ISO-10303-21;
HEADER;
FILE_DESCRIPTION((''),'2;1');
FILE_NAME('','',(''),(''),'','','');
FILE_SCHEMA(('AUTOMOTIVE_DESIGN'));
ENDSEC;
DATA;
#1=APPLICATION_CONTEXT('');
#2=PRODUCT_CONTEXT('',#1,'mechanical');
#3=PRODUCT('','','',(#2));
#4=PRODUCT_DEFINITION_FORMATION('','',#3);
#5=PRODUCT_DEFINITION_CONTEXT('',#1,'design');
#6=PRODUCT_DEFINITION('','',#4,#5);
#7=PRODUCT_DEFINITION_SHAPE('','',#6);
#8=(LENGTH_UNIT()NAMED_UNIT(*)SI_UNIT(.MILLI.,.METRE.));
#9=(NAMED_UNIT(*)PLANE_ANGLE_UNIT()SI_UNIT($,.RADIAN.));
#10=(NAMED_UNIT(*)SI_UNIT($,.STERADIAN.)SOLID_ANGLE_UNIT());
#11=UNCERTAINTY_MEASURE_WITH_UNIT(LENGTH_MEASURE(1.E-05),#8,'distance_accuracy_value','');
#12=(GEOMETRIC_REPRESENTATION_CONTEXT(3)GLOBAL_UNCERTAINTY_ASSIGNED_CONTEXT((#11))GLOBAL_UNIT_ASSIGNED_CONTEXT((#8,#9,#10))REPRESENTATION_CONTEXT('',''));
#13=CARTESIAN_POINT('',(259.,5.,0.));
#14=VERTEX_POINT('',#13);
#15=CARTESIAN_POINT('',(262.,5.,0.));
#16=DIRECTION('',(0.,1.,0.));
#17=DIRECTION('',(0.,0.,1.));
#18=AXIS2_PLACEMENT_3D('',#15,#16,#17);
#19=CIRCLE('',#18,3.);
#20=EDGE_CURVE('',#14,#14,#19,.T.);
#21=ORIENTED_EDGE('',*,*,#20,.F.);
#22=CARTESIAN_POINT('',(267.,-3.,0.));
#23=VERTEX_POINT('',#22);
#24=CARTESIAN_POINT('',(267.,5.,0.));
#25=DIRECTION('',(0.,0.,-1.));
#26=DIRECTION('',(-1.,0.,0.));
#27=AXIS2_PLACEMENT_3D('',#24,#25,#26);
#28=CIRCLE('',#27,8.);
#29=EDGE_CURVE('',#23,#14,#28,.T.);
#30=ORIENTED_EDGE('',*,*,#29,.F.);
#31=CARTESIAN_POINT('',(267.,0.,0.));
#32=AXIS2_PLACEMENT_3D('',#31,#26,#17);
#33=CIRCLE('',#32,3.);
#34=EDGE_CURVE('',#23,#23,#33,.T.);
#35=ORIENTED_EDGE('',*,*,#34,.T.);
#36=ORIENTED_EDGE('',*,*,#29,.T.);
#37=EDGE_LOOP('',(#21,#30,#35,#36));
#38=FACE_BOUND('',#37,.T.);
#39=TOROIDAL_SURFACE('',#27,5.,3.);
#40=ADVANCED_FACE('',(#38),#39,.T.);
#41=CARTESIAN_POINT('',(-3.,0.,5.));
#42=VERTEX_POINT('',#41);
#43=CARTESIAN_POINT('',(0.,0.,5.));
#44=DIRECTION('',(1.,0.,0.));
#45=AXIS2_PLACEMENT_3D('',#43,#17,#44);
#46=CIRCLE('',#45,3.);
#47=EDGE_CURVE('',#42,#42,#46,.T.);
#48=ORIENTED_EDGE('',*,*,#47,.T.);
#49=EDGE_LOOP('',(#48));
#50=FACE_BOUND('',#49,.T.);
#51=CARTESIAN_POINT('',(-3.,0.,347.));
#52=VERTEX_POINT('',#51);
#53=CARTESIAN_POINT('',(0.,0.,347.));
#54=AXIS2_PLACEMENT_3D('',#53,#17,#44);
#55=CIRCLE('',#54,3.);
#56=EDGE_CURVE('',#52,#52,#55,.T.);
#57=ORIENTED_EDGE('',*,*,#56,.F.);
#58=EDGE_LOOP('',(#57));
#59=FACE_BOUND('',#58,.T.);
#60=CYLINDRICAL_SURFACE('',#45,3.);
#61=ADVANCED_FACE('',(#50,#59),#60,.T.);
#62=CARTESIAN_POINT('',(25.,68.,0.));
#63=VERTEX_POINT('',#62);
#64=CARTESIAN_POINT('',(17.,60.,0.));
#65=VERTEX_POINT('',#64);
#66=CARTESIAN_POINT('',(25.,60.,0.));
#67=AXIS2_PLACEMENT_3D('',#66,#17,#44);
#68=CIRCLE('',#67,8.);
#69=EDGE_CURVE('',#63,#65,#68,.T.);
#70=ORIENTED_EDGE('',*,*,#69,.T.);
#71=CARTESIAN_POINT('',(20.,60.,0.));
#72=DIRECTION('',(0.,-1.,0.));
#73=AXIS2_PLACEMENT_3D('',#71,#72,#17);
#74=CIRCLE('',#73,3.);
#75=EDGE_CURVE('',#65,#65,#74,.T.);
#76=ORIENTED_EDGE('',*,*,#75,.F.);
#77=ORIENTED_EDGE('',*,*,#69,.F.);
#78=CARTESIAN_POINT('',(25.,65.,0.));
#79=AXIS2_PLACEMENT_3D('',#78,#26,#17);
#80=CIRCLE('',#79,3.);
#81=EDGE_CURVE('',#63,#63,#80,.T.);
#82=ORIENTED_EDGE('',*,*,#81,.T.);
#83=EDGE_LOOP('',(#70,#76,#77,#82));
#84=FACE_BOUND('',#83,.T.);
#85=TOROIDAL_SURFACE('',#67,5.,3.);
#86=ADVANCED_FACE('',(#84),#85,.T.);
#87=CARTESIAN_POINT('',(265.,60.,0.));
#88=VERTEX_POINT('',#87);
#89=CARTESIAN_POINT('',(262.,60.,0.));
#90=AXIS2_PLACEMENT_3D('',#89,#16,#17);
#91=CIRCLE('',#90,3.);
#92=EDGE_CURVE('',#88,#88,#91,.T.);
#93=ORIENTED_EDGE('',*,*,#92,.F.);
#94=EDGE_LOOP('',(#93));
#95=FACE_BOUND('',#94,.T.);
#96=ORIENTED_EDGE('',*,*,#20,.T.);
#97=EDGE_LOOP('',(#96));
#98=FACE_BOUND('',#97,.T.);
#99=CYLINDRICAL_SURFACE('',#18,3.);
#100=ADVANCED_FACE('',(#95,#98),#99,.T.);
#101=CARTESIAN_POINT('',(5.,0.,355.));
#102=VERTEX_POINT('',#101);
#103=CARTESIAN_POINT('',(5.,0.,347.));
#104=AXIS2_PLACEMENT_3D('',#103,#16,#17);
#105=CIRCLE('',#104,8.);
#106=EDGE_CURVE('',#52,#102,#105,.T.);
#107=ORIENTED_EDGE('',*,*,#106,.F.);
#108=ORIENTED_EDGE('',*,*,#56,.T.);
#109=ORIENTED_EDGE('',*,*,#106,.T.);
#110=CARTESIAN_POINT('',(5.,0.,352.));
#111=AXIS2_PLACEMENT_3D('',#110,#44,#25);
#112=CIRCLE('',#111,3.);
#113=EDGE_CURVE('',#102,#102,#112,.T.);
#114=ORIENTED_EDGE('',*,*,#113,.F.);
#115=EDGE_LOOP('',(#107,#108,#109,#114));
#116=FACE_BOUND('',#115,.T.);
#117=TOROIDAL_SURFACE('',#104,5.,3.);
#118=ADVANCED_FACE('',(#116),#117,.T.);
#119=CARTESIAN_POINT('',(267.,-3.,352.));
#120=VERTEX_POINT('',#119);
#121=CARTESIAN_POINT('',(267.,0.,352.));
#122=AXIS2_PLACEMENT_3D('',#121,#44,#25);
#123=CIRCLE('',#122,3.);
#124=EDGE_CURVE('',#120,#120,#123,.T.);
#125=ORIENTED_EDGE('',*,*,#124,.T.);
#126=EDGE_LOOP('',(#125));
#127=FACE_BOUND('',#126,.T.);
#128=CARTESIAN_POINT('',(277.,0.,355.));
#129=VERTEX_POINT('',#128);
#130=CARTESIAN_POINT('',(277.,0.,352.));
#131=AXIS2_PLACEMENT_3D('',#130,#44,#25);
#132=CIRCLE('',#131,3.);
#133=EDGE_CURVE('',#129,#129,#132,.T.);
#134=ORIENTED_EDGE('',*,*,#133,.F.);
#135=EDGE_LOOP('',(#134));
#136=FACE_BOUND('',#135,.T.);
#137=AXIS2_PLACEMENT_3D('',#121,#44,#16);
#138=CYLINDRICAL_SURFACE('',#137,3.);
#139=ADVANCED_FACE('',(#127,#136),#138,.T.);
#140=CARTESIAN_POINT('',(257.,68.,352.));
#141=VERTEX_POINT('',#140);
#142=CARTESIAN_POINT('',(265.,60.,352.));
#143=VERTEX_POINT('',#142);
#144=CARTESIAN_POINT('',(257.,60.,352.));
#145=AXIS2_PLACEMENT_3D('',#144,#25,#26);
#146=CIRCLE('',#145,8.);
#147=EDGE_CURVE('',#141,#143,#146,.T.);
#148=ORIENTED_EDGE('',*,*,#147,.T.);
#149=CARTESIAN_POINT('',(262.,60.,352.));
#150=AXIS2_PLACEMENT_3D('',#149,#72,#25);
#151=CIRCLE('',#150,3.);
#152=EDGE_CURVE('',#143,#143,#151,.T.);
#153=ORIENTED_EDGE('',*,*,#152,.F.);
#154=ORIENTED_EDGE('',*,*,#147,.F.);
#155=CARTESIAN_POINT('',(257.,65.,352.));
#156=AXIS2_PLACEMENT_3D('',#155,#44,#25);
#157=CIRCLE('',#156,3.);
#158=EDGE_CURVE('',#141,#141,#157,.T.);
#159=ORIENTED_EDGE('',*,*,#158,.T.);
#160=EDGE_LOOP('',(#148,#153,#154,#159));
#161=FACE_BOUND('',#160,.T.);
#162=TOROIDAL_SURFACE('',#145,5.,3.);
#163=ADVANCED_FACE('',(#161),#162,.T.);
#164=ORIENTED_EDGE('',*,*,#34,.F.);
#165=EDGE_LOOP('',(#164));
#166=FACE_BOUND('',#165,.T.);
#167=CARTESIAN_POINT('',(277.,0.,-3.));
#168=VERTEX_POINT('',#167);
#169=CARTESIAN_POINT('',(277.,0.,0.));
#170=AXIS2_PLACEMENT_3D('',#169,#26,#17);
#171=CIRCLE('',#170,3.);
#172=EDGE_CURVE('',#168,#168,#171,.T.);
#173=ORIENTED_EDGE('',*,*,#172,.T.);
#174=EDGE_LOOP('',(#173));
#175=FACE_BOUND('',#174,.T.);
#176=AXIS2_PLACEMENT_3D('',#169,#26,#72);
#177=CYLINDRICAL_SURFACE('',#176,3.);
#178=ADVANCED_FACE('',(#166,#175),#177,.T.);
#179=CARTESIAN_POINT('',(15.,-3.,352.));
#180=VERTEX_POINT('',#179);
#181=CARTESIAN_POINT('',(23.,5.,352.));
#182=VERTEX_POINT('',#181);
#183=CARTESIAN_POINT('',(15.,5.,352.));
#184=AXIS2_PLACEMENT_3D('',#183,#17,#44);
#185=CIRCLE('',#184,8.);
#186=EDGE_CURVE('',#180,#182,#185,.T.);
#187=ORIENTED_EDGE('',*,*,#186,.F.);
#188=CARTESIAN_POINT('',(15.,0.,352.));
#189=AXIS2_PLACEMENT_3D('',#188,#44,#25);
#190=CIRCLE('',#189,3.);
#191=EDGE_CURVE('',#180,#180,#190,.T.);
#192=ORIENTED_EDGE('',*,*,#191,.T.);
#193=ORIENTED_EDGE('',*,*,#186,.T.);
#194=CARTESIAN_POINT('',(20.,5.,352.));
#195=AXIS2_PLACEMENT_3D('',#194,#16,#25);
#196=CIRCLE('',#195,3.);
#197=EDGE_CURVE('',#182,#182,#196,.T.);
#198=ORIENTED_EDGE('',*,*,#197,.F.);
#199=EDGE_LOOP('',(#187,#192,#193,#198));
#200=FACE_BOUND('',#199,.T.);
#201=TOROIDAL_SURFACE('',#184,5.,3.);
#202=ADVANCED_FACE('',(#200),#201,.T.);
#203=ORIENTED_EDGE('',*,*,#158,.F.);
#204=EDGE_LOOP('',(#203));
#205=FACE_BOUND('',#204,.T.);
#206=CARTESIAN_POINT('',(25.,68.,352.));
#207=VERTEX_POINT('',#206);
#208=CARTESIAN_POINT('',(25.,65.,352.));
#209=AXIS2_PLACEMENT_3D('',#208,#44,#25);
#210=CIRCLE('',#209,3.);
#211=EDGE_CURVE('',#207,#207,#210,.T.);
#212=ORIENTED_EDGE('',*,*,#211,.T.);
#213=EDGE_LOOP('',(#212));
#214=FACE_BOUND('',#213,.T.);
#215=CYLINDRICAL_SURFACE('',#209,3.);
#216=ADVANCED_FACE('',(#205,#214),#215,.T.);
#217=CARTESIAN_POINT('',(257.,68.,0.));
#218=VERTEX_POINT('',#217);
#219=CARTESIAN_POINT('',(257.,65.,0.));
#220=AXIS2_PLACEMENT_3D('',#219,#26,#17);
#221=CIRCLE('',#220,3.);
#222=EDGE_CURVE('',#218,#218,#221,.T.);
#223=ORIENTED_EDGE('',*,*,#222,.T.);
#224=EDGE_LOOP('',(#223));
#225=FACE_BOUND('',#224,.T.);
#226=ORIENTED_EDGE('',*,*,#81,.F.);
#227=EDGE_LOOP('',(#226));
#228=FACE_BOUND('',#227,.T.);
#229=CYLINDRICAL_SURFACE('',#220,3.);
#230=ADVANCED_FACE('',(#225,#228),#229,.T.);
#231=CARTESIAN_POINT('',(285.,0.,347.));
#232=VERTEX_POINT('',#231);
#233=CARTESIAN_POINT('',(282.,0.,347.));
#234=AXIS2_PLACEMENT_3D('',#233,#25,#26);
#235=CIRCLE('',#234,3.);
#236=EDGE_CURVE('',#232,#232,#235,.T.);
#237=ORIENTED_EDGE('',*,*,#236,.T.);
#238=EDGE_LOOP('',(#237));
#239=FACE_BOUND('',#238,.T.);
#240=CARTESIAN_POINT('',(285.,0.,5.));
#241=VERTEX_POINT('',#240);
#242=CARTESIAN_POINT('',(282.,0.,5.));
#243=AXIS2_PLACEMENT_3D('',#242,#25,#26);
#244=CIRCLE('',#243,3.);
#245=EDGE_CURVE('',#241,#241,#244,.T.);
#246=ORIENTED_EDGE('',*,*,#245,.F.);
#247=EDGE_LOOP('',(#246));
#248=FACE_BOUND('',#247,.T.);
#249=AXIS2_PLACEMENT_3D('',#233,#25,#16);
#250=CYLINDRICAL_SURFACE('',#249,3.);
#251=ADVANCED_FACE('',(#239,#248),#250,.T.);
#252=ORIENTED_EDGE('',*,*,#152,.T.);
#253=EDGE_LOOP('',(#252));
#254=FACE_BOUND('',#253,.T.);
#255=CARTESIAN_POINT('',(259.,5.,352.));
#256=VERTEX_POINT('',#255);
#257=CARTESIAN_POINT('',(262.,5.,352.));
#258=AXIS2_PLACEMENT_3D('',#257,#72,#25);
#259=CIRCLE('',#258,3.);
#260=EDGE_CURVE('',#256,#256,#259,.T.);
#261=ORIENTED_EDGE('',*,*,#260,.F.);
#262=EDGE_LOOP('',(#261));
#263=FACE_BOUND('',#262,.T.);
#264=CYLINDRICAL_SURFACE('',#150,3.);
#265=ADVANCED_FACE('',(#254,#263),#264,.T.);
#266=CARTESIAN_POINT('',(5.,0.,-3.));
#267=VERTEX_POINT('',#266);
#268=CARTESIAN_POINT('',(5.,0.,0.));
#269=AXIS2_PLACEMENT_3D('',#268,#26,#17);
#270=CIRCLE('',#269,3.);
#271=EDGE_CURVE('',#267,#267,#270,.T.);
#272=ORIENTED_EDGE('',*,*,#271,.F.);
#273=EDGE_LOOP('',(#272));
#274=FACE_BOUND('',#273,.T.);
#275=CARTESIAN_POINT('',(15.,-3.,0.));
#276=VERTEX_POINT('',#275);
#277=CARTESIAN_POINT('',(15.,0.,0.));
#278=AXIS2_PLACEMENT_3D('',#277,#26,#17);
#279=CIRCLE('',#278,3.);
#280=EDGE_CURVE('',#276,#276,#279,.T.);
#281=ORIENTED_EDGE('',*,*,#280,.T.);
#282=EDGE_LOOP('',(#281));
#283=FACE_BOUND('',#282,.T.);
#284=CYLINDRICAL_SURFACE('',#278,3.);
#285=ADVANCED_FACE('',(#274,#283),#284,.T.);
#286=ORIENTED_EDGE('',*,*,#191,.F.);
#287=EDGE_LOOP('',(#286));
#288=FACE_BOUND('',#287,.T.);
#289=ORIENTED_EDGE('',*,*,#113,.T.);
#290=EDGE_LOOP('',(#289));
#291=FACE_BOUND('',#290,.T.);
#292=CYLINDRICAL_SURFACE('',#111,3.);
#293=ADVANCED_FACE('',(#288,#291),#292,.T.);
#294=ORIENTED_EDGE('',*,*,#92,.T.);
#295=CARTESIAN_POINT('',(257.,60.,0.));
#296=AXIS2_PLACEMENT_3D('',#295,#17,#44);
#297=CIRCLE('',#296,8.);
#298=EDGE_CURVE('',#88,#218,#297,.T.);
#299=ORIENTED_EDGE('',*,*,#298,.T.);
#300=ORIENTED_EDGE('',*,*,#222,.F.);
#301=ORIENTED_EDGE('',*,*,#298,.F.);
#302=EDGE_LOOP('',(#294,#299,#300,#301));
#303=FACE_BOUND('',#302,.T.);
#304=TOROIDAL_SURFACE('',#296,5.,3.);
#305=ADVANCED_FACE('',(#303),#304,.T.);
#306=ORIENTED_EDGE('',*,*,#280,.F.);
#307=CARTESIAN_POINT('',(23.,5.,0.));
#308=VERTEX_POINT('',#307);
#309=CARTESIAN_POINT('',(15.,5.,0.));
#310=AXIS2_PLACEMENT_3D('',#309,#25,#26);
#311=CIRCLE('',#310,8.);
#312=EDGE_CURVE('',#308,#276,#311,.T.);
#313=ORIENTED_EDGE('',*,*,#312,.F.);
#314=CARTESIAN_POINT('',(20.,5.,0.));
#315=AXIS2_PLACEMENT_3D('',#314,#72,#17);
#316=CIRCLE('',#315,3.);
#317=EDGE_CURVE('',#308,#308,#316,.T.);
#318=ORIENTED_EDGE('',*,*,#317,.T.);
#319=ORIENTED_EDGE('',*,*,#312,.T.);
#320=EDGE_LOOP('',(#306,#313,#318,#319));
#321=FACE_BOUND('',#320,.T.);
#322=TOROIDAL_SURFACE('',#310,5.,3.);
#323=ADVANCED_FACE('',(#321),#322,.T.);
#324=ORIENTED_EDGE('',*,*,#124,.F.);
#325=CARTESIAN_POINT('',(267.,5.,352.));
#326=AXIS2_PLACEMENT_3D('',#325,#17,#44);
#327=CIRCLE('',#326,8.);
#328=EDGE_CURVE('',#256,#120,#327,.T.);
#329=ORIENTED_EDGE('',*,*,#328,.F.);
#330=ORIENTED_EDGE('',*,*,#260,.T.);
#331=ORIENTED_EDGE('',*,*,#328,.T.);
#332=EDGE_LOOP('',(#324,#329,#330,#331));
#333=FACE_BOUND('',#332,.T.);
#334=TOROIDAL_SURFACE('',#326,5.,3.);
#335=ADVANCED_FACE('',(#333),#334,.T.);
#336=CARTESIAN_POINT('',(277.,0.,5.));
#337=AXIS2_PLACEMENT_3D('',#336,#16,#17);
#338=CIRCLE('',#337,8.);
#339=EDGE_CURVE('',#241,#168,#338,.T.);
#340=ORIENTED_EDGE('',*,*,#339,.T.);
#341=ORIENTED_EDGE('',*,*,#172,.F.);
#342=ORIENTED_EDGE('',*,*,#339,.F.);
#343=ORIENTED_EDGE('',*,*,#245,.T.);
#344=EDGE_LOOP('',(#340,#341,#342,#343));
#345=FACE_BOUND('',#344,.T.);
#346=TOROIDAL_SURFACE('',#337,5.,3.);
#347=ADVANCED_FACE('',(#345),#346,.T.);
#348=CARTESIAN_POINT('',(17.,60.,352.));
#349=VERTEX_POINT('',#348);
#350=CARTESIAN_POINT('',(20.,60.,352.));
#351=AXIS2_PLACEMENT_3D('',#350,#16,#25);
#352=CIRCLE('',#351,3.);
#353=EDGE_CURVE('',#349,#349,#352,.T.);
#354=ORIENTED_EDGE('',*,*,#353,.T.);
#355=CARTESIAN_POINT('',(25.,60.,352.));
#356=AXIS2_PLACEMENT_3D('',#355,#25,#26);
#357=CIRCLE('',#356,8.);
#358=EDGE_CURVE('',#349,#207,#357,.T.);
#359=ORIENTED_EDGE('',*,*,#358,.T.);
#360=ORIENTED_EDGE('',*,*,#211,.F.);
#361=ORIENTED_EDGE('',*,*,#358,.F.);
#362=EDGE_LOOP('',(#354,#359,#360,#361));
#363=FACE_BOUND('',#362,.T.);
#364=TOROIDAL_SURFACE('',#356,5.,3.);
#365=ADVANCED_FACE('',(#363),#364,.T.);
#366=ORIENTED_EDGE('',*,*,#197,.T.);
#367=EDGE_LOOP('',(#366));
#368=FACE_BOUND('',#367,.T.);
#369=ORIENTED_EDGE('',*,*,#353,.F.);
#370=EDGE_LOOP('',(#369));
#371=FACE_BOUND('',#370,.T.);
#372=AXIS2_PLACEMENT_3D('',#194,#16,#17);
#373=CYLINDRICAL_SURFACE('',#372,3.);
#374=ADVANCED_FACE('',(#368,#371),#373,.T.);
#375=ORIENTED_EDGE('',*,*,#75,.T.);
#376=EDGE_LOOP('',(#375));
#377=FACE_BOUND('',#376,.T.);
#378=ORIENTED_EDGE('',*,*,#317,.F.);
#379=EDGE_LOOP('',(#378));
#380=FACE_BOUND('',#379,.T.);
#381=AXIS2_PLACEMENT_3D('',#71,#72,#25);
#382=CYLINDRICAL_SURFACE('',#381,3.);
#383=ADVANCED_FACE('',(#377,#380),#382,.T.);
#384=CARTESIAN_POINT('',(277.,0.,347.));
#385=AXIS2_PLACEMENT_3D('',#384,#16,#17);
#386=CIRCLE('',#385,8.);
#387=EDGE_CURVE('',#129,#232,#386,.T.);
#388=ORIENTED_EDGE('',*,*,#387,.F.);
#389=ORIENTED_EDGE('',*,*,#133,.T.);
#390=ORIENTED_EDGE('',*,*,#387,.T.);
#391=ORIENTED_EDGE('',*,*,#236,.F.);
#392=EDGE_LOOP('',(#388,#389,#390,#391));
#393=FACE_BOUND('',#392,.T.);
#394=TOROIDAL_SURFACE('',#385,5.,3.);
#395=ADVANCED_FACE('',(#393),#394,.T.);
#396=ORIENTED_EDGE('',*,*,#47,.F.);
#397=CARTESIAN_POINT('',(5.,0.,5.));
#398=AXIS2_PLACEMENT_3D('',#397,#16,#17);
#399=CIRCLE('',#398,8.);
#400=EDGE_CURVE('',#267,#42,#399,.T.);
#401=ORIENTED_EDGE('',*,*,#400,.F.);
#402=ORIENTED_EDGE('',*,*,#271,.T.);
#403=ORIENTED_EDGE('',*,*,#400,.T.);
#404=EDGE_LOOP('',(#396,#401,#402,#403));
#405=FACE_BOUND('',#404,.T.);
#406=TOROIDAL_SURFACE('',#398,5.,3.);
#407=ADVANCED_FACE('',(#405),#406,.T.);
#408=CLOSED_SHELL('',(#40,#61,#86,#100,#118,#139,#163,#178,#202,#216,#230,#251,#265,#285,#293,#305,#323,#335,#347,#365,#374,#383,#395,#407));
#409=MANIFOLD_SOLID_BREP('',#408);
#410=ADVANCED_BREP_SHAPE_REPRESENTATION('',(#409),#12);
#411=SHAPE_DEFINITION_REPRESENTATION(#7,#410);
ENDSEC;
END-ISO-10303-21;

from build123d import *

# Parameters (mm, degrees)
SKETCH1_R = 3


with BuildPart() as part:
    # Sweep1: sweep along a curve in space
    with BuildLine() as sweep1_path:
        Line((0, 0, 5), (0, 0, 347))
        ThreePointArc((5, 0, 352), (1.464466094, 0, 350.535533906), (0, 0, 347))
        Line((5, 0, 352), (15, 0, 352))
        ThreePointArc((15, 0, 352), (18.535533906, 1.464466094, 352), (20, 5, 352))
        Line((20, 5, 352), (20, 60, 352))
        ThreePointArc((25, 65, 352), (21.464466094, 63.535533906, 352), (20, 60, 352))
        Line((25, 65, 352), (257, 65, 352))
        ThreePointArc((262, 60, 352), (260.535533906, 63.535533906, 352), (257, 65, 352))
        Line((262, 60, 352), (262, 5, 352))
        ThreePointArc((267, 0, 352), (263.464466094, 1.464466094, 352), (262, 5, 352))
        Line((267, 0, 352), (277, 0, 352))
        ThreePointArc((282, 0, 347), (280.535533906, 0, 350.535533906), (277, 0, 352))
        Line((282, 0, 347), (282, 0, 5))
        ThreePointArc((282, 0, 5), (280.535533906, 0, 1.464466094), (277, 0, 0))
        Line((267, 0, 0), (277, 0, 0))
        ThreePointArc((267, 0, 0), (263.464466094, 1.464466094, 0), (262, 5, 0))
        Line((262, 60, 0), (262, 5, 0))
        ThreePointArc((262, 60, 0), (260.535533906, 63.535533906, 0), (257, 65, 0))
        Line((25, 65, 0), (257, 65, 0))
        ThreePointArc((20, 60, 0), (21.464466094, 63.535533906, 0), (25, 65, 0))
        Line((20, 5, 0), (20, 60, 0))
        ThreePointArc((15, 0, 0), (18.535533906, 1.464466094, 0), (20, 5, 0))
        Line((5, 0, 0), (15, 0, 0))
        ThreePointArc((5, 0, 0), (1.464466094, 0, 1.464466094), (0, 0, 5))
    # Sketch1 → Sweep1 (sweep)
    with BuildSketch(Plane(origin=(282, 0, 5), x_dir=(-1, 0, 0), z_dir=(0, 0, -1))):
        Circle(SKETCH1_R)
    sweep(path=sweep1_path.line)


solid = part.part
